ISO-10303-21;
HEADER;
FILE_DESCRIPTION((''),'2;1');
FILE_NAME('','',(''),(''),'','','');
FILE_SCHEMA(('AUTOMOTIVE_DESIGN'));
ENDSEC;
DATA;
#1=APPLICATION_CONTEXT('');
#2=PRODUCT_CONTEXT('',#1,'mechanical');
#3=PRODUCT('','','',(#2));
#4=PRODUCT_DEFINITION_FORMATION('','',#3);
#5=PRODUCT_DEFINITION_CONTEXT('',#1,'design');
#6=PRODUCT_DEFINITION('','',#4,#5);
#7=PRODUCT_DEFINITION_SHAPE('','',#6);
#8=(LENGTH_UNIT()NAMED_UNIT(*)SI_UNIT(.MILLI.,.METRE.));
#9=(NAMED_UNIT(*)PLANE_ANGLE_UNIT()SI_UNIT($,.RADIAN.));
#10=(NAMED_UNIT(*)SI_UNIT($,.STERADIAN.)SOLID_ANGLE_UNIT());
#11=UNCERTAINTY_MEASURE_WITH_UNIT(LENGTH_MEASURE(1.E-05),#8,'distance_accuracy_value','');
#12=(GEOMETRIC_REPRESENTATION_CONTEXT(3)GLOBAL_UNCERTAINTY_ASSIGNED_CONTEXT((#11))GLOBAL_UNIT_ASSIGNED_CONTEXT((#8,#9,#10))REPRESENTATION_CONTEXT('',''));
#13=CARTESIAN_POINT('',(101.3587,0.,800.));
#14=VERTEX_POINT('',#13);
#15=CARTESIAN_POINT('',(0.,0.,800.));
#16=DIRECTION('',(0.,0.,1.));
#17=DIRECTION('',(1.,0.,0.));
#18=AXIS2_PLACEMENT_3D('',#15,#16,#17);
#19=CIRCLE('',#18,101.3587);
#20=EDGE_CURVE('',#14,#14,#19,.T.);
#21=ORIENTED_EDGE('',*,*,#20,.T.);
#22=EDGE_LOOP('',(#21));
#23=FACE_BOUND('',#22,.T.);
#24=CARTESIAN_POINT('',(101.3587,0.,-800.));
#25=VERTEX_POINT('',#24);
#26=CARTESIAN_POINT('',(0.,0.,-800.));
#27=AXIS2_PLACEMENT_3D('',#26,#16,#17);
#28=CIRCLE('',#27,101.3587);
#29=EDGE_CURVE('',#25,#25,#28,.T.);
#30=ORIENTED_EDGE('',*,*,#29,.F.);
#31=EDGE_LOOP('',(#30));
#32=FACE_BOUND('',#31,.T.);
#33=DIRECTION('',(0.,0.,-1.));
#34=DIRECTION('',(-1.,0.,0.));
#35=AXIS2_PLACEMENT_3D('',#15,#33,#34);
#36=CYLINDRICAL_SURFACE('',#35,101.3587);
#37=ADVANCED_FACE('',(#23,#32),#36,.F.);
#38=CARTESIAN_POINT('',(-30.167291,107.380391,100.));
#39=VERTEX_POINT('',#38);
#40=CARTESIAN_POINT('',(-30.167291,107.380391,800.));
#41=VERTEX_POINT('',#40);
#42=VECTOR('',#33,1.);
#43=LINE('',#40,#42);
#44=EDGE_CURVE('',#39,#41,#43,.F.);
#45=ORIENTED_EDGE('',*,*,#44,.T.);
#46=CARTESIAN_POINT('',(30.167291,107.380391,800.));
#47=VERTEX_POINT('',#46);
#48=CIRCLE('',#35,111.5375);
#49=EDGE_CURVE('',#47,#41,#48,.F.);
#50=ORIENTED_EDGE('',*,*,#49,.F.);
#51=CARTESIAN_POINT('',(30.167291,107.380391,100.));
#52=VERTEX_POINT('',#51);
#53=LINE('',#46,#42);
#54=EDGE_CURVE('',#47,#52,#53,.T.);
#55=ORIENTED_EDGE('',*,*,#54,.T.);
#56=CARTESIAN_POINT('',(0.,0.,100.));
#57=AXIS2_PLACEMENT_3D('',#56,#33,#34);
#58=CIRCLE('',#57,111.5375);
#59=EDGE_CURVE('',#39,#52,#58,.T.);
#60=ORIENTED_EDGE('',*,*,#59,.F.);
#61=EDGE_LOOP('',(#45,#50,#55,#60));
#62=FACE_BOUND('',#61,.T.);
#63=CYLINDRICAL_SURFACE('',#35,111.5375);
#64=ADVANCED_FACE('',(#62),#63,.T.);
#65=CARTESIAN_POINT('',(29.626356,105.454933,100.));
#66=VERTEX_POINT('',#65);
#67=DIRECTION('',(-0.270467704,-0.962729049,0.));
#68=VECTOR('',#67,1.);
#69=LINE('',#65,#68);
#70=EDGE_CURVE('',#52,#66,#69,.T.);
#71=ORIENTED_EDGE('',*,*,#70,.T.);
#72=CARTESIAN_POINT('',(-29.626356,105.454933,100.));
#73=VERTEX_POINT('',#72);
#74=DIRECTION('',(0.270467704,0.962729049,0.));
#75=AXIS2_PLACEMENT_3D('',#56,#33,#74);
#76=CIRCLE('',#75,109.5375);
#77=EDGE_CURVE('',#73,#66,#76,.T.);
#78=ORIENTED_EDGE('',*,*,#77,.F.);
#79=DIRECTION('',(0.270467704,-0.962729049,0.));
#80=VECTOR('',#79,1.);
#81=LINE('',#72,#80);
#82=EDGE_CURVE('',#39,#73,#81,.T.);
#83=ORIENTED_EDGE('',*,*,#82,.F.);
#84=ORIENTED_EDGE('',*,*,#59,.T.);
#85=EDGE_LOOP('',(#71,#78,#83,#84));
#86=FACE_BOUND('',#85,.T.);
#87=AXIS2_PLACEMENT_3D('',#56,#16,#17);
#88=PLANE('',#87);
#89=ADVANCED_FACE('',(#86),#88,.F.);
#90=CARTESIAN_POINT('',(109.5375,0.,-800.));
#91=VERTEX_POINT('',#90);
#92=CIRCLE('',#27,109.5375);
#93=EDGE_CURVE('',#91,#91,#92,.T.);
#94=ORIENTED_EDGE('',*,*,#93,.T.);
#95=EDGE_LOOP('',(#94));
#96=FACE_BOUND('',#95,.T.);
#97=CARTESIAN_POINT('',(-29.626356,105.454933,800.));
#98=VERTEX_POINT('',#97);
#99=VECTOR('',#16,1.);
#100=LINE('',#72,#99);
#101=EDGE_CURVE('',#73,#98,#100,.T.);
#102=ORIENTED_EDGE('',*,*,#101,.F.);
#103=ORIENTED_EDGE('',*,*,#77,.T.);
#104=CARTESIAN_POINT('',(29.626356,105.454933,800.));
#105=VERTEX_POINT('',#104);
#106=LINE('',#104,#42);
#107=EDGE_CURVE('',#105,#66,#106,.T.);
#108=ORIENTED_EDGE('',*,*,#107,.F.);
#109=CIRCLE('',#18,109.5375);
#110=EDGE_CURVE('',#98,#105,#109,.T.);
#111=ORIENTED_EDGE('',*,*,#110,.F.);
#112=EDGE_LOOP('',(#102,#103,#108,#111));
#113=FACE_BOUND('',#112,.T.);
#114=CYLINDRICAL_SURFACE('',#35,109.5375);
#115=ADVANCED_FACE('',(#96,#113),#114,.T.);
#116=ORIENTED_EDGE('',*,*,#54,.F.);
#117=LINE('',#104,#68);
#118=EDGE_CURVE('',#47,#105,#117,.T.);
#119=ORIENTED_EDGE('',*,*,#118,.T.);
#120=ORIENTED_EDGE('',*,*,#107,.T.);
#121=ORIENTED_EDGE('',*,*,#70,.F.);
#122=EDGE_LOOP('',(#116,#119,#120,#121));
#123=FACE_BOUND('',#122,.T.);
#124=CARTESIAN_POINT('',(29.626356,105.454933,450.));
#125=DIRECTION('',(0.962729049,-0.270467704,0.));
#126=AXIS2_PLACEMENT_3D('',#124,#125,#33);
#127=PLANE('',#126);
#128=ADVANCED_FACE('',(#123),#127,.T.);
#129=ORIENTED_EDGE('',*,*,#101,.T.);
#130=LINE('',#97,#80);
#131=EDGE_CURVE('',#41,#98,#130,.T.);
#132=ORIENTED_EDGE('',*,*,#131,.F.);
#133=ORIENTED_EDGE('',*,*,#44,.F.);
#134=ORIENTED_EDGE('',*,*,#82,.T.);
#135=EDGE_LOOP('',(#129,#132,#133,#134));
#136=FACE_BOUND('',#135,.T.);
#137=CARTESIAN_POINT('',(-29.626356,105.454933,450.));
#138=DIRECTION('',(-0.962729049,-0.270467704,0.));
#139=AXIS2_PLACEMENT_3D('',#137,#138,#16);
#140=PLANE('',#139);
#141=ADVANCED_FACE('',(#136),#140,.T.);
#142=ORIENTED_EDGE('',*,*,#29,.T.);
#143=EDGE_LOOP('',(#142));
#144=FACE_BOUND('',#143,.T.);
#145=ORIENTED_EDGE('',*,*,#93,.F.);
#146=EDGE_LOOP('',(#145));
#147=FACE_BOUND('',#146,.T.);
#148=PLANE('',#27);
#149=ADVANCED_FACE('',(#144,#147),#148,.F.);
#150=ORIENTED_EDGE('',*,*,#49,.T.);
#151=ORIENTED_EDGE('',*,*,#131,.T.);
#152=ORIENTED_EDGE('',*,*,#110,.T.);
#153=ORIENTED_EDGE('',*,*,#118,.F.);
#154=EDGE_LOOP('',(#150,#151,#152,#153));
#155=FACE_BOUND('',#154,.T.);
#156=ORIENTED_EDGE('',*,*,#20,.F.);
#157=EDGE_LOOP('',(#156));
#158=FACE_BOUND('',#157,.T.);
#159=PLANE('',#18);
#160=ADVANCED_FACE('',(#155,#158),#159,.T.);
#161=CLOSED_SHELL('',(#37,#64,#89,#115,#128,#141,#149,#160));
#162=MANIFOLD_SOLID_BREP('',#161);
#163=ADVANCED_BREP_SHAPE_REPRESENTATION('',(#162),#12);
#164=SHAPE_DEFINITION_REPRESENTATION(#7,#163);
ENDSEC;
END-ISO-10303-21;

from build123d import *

# Parameters (mm, degrees)
BOSS_EXTRUDE1_DEPTH      = 800
BOSS_EXTRUDE1_DEPTH_BACK = 800
SKETCH3_R                = 109.5375
SKETCH3_R_2              = 101.3587
WRAP2_SECTION_W          = 2
WRAP2_SECTION_H          = 700
WRAP2_ANGLE              = 31.384199665


with BuildPart() as part:
    # Sketch3 → Boss-Extrude1 (new, two sides: drawn at the far end of the back side and taken through both)
    with BuildSketch(Plane.XY.offset(-BOSS_EXTRUDE1_DEPTH_BACK)):
        Circle(SKETCH3_R)
        Circle(SKETCH3_R_2, mode=Mode.SUBTRACT)
    extrude(amount=BOSS_EXTRUDE1_DEPTH + BOSS_EXTRUDE1_DEPTH_BACK)

    # Wrap2 section (on wrap section) → Wrap2 (revolve)
    with BuildSketch(Plane(origin=(0, 0, 0), x_dir=(-0.27046770367687717, 0.9627290487295773, 0), z_dir=(-0.9627290487295773, -0.27046770367687717, 0))):
        with Locations((110.5375, -450)):
            Rectangle(WRAP2_SECTION_W, WRAP2_SECTION_H)
    revolve(axis=Axis((0, 0, 0), (0, 0, -1)), revolution_arc=WRAP2_ANGLE)


solid = part.part
